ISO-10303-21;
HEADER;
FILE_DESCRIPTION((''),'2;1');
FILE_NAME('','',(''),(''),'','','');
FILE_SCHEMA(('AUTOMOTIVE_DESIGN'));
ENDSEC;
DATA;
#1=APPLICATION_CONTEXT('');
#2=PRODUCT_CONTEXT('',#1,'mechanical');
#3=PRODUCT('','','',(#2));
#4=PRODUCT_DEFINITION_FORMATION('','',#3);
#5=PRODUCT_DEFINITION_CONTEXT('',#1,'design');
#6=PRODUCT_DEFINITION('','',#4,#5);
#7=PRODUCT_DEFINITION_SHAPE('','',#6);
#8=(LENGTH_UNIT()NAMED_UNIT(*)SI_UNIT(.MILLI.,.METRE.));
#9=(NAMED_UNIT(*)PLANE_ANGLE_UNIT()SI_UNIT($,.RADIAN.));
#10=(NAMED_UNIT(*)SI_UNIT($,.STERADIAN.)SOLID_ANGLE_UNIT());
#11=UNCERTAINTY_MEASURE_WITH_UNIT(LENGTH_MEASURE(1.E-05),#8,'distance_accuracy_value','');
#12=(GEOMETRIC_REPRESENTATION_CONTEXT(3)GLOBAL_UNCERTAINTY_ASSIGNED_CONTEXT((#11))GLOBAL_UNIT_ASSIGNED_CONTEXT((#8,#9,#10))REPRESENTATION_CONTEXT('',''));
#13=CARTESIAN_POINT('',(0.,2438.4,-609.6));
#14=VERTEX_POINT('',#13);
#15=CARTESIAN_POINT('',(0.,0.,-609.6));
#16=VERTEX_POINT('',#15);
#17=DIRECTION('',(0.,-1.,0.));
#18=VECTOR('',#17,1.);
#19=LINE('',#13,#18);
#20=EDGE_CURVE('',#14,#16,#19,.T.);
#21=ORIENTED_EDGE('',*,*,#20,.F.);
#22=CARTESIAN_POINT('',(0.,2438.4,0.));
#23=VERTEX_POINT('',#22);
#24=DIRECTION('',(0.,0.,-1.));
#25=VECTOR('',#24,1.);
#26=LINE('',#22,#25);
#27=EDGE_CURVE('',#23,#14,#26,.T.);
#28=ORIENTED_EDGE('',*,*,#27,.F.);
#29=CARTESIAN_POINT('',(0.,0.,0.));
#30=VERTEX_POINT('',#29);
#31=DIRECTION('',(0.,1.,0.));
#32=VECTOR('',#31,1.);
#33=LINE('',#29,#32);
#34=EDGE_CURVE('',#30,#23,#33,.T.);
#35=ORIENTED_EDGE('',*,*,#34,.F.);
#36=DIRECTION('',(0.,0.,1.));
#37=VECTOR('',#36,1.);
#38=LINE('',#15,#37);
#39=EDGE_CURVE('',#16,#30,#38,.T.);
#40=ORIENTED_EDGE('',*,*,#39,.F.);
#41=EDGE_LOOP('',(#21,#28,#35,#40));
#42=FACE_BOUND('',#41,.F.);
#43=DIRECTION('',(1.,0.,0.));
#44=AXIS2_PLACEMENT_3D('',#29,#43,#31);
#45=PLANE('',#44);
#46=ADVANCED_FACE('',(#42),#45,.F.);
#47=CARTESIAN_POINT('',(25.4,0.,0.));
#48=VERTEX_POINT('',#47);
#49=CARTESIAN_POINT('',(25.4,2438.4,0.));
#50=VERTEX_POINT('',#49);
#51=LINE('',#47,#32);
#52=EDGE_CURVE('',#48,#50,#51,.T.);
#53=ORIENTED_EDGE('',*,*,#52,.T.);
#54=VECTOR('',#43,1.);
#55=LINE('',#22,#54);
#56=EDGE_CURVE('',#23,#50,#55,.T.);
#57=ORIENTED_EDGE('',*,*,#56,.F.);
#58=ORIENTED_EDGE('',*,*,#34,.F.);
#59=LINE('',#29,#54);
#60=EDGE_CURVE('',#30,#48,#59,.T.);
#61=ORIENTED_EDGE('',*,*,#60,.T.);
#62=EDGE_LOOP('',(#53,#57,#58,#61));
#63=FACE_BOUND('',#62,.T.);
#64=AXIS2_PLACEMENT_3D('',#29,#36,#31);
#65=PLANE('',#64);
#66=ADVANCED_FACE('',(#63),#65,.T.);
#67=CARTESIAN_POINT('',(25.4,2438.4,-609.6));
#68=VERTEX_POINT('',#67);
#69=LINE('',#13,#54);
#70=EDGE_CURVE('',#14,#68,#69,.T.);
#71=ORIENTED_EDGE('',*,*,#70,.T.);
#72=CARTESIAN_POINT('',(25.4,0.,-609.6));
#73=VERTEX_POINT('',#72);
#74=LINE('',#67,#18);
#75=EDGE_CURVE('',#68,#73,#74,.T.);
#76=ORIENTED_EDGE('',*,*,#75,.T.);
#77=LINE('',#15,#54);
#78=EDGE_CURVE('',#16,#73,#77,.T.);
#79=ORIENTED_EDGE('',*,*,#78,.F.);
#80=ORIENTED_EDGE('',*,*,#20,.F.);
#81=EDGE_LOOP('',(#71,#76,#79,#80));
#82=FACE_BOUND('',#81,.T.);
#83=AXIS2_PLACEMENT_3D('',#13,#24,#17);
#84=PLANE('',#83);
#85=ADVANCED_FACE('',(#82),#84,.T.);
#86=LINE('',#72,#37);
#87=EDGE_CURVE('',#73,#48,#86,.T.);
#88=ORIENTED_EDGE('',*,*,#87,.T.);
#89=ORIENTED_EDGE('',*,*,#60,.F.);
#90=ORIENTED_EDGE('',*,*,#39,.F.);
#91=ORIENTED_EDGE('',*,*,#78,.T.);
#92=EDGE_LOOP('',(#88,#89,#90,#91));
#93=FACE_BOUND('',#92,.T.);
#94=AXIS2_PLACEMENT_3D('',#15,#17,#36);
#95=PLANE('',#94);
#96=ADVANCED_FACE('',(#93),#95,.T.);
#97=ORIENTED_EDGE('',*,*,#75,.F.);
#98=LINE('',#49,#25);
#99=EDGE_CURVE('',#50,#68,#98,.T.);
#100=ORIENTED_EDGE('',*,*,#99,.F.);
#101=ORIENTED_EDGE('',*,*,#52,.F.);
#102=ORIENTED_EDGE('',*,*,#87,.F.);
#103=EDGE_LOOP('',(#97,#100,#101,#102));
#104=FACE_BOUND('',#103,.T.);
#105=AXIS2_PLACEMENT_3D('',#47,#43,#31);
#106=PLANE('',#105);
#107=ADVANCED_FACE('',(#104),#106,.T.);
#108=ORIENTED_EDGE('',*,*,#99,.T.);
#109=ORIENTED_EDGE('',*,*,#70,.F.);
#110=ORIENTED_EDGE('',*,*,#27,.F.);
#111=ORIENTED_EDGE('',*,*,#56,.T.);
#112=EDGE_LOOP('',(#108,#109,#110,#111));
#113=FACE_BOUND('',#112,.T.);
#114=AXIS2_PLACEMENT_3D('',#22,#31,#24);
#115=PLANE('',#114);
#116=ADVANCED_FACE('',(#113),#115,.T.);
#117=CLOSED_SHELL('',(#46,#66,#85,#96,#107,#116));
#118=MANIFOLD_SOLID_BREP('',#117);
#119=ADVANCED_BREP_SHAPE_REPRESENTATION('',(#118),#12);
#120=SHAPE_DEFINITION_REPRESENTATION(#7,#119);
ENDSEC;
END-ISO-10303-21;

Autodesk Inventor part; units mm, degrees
ref_plane "YZ Plane" through (0, 0, 0) normal (1, 0, 0) x (0, 1, 0)
ref_plane "XZ Plane" through (0, 0, 0) normal (0, 1, 0) x (-1, 0, 0)
ref_plane "XY Plane" through (0, 0, 0) normal (0, 0, 1) x (1, 0, 0)
sketch "Sketch1" plane through (0, 0, 0) normal (1, 0, 0) x (0, 1, 0)
  line L0 (0, 0) -> (2438.4, 0)
  line L1 (2438.4, 0) -> (2438.4, -609.6)
  line L2 (2438.4, -609.6) -> (0, -609.6)
  line L3 (0, -609.6) -> (0, 0)
  dimension "d0" = 609.6
  dimension "d1" = 2438.4
extrude "Extrusion1" add sketch "Sketch1" along normal blind 25.4
properties part number "Marinite"
